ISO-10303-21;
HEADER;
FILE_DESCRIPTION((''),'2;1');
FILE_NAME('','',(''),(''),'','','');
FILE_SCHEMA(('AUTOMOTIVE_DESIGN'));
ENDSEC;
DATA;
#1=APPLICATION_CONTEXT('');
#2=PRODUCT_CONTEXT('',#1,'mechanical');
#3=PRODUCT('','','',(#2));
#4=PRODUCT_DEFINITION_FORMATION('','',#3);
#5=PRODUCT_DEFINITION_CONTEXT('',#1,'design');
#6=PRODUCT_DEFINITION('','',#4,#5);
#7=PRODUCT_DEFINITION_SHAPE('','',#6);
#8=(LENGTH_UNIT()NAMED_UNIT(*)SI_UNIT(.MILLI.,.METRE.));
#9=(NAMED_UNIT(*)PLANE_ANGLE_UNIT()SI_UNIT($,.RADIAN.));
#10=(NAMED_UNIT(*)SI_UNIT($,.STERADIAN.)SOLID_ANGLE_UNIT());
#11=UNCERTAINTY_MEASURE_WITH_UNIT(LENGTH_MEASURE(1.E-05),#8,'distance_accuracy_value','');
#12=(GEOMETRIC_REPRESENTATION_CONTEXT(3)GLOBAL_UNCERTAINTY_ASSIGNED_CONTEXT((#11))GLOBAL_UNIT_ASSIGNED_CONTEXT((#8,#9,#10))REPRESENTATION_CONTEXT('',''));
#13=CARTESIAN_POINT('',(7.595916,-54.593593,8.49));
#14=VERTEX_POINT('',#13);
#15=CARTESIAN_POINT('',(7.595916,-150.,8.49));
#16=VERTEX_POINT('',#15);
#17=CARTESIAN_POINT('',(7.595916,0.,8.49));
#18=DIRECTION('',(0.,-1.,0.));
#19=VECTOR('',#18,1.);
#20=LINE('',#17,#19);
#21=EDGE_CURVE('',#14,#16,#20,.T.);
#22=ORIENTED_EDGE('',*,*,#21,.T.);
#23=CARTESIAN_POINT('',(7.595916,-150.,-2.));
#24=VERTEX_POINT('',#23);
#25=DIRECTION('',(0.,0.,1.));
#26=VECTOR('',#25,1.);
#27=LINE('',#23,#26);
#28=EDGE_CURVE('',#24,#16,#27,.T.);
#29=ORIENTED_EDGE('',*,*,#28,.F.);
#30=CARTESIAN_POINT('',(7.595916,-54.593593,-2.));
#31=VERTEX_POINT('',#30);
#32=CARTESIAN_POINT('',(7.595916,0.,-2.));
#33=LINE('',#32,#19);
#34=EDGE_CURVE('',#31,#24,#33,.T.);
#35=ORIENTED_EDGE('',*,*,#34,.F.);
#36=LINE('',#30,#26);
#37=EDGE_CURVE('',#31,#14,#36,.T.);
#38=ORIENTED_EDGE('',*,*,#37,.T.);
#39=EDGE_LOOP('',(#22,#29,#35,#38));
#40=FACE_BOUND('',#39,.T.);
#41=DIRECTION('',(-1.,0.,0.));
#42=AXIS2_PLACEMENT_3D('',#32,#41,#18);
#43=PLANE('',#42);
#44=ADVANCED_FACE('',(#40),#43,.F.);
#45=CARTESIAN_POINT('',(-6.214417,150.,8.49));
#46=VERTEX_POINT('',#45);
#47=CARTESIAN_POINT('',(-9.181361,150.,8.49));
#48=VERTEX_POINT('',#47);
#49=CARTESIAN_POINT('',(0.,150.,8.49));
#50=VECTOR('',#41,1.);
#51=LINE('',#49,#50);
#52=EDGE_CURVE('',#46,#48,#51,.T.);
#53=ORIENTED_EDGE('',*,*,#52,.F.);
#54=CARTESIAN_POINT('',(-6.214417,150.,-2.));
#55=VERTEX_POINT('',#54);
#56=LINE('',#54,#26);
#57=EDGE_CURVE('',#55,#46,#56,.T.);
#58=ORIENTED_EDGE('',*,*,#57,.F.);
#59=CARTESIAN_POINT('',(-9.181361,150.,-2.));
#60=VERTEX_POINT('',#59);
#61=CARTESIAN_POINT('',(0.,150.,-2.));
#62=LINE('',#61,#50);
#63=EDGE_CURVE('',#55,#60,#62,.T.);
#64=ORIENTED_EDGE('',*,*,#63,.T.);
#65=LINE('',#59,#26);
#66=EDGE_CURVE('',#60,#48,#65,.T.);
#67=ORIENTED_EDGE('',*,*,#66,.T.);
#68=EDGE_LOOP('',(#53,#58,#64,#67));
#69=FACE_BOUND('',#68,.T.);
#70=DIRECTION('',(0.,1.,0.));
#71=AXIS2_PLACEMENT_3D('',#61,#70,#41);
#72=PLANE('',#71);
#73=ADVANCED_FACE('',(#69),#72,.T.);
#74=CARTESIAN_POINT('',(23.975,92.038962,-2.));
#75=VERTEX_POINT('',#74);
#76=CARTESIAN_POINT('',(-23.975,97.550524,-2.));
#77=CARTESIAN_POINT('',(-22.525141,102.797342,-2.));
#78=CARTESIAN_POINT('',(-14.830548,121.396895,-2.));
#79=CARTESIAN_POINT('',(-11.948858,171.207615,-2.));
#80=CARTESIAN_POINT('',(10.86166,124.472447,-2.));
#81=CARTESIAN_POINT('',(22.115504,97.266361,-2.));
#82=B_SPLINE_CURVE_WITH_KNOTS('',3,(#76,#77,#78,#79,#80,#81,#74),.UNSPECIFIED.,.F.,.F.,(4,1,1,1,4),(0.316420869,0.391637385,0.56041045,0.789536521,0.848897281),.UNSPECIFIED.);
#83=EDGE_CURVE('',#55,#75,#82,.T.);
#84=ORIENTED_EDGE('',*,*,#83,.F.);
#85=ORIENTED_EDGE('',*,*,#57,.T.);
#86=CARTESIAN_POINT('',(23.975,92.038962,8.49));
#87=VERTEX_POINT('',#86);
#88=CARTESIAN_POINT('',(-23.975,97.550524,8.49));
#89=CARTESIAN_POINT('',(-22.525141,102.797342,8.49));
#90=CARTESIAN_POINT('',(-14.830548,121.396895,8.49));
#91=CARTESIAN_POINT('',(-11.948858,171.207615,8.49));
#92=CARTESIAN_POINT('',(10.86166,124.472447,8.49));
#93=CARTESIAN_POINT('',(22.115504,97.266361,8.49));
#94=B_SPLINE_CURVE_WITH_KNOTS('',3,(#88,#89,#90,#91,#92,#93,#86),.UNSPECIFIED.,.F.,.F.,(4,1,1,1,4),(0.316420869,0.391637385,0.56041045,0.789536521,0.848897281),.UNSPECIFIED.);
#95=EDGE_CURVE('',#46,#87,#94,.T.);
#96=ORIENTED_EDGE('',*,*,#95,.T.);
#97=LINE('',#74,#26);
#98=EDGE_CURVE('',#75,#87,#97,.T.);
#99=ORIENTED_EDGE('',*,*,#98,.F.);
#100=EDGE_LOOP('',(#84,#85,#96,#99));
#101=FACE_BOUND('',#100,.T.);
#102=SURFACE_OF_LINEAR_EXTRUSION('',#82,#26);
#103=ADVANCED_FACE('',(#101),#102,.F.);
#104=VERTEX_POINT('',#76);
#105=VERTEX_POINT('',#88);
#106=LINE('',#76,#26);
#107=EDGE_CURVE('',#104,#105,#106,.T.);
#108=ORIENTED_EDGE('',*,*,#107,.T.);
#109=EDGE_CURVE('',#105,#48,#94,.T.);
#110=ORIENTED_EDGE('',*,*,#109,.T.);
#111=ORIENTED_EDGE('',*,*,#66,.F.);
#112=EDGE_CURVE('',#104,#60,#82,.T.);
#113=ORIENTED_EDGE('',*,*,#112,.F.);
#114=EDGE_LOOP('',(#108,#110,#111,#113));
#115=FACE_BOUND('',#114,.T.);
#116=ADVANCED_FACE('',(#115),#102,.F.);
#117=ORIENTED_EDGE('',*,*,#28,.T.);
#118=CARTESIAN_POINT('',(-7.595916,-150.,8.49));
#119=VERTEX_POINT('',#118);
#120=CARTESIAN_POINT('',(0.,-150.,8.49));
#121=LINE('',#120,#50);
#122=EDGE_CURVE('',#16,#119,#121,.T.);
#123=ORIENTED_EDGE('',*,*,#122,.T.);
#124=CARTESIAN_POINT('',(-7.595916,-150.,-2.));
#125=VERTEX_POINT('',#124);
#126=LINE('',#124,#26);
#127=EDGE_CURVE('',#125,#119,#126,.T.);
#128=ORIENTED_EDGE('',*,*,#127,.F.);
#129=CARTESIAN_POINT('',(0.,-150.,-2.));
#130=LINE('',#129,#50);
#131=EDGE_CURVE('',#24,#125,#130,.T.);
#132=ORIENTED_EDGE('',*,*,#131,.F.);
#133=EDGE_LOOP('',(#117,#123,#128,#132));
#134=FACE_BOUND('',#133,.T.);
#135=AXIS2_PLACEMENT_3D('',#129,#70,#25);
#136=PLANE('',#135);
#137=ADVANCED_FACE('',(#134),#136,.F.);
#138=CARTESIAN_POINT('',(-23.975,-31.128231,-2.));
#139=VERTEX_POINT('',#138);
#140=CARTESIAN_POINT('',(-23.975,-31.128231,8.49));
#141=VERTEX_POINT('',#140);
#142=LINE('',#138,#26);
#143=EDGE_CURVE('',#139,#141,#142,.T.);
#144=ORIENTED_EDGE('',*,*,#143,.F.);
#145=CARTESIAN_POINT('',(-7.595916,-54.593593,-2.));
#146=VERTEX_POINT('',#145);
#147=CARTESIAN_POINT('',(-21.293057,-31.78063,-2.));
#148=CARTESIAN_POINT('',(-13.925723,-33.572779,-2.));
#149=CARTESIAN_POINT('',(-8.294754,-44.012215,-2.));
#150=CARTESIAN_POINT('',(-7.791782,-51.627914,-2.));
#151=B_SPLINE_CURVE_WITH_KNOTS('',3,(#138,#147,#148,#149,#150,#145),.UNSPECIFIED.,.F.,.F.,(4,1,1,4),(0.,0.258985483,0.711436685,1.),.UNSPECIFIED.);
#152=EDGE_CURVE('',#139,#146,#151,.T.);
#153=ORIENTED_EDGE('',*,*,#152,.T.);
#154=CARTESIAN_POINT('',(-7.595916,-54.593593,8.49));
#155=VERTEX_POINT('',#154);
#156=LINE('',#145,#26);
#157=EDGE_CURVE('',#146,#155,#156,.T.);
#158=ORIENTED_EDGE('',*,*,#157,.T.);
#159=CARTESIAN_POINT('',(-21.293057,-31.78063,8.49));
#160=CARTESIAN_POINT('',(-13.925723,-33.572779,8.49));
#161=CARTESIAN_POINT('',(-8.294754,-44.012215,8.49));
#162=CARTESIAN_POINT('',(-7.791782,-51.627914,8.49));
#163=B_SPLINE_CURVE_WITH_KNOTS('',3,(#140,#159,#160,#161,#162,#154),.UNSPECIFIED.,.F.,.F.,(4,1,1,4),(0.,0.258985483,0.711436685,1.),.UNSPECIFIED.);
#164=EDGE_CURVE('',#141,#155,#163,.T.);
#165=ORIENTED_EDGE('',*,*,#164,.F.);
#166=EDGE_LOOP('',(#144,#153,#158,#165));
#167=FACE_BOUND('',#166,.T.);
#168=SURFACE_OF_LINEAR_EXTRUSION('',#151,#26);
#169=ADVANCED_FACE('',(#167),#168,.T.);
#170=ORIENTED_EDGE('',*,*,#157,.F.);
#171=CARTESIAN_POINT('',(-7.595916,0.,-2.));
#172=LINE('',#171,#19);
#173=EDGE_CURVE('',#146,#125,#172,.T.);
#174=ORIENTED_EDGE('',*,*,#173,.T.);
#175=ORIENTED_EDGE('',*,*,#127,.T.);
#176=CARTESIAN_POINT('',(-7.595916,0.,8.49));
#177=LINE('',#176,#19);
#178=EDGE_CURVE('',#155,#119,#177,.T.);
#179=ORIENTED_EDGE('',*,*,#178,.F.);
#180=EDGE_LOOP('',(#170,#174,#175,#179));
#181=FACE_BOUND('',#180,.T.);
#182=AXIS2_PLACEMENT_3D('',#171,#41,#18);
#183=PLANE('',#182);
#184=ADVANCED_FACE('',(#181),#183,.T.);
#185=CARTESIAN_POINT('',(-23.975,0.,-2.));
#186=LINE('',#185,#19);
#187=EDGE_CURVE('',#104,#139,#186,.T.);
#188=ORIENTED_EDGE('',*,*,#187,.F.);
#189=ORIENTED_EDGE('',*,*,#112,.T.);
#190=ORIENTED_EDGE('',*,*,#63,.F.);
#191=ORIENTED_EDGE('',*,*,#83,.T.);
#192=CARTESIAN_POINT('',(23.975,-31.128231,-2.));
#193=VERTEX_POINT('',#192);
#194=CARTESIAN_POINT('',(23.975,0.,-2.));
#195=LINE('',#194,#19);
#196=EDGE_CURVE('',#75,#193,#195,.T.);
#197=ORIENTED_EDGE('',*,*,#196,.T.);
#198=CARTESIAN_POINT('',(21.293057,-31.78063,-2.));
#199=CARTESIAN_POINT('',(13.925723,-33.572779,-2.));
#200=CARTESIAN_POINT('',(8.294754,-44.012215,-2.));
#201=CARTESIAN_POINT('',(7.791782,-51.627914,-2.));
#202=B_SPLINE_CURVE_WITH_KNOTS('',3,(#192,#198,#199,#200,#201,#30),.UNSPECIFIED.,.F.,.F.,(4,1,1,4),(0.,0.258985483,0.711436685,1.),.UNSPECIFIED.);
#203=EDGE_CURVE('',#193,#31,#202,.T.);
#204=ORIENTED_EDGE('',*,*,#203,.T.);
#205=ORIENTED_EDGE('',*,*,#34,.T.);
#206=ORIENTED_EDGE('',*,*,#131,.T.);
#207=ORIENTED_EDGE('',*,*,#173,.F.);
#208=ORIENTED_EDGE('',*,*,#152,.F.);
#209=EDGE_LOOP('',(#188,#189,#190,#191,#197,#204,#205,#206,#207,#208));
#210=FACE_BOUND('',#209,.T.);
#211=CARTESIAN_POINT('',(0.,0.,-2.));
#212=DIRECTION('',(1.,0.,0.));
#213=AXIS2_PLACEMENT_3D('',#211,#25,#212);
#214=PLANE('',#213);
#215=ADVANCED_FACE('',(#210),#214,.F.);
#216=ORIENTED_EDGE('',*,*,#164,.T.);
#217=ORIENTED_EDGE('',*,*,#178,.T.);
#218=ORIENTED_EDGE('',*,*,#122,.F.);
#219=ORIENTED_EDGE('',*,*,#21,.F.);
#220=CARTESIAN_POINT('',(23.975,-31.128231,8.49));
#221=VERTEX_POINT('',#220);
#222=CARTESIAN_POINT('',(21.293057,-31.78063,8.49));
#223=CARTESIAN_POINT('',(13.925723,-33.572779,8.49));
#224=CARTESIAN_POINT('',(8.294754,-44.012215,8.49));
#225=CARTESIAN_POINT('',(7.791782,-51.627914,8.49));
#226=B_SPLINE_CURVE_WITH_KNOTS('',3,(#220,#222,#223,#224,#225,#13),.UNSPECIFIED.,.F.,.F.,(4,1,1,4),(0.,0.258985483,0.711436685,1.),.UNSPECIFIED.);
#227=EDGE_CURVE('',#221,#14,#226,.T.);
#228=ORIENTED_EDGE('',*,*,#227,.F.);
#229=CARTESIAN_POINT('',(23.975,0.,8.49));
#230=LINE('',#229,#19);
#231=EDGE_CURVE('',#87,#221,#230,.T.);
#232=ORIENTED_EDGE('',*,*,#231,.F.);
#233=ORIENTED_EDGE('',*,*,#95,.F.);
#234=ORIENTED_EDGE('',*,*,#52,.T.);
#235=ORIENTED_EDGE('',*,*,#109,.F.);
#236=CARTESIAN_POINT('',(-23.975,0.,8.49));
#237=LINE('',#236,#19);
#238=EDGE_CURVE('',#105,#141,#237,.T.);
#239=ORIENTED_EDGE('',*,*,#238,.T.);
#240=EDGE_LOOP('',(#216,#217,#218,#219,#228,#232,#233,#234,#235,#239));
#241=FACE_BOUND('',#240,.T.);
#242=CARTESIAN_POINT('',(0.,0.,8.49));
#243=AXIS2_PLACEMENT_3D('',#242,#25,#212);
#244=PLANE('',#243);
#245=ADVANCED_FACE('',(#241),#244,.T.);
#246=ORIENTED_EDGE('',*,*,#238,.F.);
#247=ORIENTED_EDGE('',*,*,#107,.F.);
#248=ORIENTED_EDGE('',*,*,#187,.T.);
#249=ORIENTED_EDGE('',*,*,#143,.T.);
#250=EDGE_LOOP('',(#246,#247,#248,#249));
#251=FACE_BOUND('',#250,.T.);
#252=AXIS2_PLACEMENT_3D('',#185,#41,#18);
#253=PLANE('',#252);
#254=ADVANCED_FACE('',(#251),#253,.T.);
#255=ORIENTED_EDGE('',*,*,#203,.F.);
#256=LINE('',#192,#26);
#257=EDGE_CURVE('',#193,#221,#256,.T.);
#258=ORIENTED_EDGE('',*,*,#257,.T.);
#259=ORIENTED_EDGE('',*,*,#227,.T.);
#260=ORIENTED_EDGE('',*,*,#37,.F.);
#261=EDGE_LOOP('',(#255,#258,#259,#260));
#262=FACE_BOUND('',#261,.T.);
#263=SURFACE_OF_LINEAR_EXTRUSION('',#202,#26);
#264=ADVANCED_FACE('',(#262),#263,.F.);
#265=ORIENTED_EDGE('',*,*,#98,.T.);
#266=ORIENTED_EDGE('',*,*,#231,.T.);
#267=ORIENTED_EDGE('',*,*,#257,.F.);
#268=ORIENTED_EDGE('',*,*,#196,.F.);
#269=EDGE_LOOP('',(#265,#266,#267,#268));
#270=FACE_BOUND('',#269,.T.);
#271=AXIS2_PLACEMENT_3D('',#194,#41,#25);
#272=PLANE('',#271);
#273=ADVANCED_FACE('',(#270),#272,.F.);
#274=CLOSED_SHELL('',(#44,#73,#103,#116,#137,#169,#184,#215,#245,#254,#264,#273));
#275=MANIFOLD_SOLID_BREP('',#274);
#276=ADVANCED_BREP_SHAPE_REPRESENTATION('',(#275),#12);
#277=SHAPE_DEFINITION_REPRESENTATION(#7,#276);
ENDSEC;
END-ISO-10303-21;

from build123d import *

# Parameters (mm, degrees)
BOSS_EXTRUDE1_DEPTH      = 8.49
BOSS_EXTRUDE1_DEPTH_BACK = 2


with BuildPart() as part:
    # Sketch5 → Boss-Extrude1 (new, two sides: drawn at the far end of the back side and taken through both)
    with BuildSketch(Plane.XY.offset(-BOSS_EXTRUDE1_DEPTH_BACK)):
        with BuildLine():
            add(Edge.make_bspline(
                [(-6.214416506, 150), (-0.083680578, 146.836659722), (12.227049193, 121.171627413), (22.115504043, 97.266361341), (23.975, 92.038961998)],
                knots=[0.59541155, 0.59541155, 0.59541155, 0.59541155, 0.789536521, 0.848897281, 0.848897281, 0.848897281, 0.848897281], degree=3))
            Line((-6.214416506, 150), (-9.181360733, 150))
            add(Edge.make_bspline(
                [(-23.975, 97.550523877), (-22.525140626, 102.797342224), (-14.830547849, 121.396895041), (-13.344437158, 147.084687463), (-9.181360733, 150)],
                knots=[0.316420869, 0.316420869, 0.316420869, 0.316420869, 0.391637385, 0.56041045, 0.56041045, 0.56041045, 0.56041045], degree=3))
            Line((-23.975, 97.550523877), (-23.975, -31.128230966))
            add(Edge.make_bspline(
                [(-23.975, -31.128230966), (-21.293057089, -31.780629914), (-13.925723024, -33.572778799), (-8.294753832, -44.012214815), (-7.791781952, -51.627914113), (-7.595916378, -54.593593445)],
                knots=[0, 0, 0, 0, 0.258985483, 0.711436685, 1, 1, 1, 1], degree=3))
            Line((-7.595916378, -54.593593445), (-7.595916378, -150))
            Line((-7.595916378, -150), (7.595916378, -150))
            Line((7.595916378, -150), (7.595916378, -54.593593445))
            add(Edge.make_bspline(
                [(23.975, -31.128230966), (21.293057089, -31.780629914), (13.925723024, -33.572778799), (8.294753832, -44.012214815), (7.791781952, -51.627914113), (7.595916378, -54.593593445)],
                knots=[0, 0, 0, 0, 0.258985483, 0.711436685, 1, 1, 1, 1], degree=3))
            Line((23.975, -31.128230966), (23.975, 92.038961998))
        make_face()
    extrude(amount=BOSS_EXTRUDE1_DEPTH + BOSS_EXTRUDE1_DEPTH_BACK)


solid = part.part
